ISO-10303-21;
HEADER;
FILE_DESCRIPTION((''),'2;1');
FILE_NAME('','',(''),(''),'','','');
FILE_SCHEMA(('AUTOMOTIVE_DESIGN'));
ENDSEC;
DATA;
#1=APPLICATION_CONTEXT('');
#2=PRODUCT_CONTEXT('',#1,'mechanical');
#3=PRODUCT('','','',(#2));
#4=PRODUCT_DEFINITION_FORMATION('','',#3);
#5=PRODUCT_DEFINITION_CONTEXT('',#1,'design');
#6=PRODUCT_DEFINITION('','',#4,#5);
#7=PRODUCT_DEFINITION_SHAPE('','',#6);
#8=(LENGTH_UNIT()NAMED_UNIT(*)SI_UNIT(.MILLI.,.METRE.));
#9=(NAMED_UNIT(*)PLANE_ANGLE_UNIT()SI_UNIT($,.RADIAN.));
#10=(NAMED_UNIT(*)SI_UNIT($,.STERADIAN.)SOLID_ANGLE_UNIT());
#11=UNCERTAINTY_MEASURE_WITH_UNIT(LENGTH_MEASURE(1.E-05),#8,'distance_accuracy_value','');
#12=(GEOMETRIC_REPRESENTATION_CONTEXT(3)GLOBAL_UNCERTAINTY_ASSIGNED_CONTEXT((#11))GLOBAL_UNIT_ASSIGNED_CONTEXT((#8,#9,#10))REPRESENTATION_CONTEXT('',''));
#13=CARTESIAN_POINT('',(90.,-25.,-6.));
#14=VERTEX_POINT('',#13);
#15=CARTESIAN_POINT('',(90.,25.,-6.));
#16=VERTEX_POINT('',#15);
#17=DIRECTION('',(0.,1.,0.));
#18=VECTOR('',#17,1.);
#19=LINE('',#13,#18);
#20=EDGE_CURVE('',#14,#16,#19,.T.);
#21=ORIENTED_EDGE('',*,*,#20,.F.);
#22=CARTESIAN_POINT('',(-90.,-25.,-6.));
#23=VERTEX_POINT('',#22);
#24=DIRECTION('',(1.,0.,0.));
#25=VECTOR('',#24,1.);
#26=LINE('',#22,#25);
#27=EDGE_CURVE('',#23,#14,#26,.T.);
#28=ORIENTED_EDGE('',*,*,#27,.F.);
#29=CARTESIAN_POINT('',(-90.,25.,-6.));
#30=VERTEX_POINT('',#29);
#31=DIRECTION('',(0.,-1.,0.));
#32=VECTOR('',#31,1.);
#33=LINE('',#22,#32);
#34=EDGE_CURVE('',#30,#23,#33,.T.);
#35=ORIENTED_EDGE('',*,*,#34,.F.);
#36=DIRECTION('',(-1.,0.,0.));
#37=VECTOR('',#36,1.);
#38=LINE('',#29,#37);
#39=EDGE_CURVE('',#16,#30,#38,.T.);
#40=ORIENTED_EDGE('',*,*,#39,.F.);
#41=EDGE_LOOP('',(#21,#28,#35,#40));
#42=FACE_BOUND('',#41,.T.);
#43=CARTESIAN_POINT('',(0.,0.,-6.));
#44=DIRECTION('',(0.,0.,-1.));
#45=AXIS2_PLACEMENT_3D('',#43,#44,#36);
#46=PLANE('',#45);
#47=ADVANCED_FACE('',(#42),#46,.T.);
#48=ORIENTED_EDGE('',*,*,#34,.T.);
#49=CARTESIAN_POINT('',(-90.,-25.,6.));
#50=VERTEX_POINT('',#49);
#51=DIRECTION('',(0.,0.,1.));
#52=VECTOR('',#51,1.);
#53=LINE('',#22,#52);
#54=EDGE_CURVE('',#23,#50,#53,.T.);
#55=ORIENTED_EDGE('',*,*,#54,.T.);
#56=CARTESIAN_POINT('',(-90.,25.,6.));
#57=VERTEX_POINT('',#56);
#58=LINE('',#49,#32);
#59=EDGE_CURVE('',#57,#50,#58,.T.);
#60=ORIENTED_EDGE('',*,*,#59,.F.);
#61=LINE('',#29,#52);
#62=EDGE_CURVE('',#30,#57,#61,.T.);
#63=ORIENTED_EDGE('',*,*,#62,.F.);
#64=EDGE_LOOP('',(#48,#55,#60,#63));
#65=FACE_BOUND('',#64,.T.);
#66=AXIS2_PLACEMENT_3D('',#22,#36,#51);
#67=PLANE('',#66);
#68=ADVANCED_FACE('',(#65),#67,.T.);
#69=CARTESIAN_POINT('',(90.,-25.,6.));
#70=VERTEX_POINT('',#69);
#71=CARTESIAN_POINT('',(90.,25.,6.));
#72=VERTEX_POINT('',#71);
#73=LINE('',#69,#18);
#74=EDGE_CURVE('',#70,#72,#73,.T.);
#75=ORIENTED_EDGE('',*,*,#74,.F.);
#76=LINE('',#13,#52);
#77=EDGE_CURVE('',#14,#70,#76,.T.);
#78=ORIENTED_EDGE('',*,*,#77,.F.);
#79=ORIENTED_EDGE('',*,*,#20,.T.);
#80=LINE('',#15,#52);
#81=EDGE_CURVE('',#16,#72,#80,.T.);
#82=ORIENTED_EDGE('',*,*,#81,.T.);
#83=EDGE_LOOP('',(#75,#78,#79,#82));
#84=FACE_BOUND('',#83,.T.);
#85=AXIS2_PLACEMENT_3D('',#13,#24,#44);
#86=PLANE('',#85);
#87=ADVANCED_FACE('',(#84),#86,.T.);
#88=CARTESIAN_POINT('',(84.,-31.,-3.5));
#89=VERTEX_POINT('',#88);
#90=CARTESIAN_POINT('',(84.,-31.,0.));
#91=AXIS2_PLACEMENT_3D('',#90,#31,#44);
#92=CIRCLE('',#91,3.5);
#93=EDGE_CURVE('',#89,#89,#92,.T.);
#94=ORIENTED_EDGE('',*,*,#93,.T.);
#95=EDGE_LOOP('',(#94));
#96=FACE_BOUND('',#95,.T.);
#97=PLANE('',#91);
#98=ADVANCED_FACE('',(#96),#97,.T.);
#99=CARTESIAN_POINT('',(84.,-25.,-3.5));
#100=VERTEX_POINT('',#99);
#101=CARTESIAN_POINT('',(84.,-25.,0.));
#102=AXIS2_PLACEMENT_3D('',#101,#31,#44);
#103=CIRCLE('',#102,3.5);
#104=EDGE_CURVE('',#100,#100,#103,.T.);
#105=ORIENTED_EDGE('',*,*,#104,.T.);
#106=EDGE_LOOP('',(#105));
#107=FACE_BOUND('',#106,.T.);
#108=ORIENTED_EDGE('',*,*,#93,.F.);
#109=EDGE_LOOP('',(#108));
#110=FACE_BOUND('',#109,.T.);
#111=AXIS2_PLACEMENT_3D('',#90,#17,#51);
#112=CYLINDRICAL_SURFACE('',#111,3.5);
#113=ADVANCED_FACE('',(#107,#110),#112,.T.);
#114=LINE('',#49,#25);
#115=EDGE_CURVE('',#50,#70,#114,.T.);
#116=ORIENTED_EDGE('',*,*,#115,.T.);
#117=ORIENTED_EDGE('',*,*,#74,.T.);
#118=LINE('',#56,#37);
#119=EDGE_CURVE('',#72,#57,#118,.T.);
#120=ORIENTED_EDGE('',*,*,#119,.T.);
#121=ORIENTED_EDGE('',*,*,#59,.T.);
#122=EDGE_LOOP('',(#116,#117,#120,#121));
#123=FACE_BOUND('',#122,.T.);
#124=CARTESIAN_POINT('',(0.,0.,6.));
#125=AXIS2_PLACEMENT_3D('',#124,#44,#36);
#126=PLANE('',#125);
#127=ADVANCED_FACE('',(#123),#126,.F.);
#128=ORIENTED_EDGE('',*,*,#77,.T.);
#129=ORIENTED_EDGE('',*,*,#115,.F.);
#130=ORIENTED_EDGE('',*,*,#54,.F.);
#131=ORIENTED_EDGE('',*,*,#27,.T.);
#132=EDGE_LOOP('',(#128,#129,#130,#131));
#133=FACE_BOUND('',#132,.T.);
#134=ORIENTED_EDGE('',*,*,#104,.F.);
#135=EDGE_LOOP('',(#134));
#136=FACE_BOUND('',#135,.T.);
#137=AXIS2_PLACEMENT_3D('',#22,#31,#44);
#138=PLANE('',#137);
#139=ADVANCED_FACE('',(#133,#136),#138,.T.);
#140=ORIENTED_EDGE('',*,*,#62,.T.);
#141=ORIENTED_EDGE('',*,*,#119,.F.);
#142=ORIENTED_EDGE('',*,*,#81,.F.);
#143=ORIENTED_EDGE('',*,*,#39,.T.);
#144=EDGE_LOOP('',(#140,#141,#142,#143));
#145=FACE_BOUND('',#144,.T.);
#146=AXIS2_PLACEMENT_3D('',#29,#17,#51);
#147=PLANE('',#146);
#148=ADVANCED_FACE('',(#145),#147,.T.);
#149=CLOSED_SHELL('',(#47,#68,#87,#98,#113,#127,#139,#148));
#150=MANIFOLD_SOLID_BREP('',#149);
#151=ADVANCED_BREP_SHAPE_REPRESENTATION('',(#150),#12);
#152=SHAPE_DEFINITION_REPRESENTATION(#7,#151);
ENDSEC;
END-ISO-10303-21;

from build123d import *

# Parameters (mm, degrees)
BOSS_EXTRUDE2_DEPTH      = 6
BOSS_EXTRUDE2_DEPTH_BACK = 6
SKETCH1_W                = 180
SKETCH1_H                = 50
SKETCH3_R                = 3.5
BOSS_EXTRUDE3_DEPTH      = 6


with BuildPart() as part:
    # Sketch1 → Boss-Extrude2 (new, two sides: drawn at the far end of the back side and taken through both)
    with BuildSketch(Plane.XY.offset(-BOSS_EXTRUDE2_DEPTH_BACK)):
        Rectangle(SKETCH1_W, SKETCH1_H)
    extrude(amount=BOSS_EXTRUDE2_DEPTH + BOSS_EXTRUDE2_DEPTH_BACK)

    # Sketch3 → Boss-Extrude3 (add)
    with BuildSketch(Plane.XZ.offset(25)):
        with Locations((84, 0)):
            Circle(SKETCH3_R)
    extrude(amount=BOSS_EXTRUDE3_DEPTH)


solid = part.part
